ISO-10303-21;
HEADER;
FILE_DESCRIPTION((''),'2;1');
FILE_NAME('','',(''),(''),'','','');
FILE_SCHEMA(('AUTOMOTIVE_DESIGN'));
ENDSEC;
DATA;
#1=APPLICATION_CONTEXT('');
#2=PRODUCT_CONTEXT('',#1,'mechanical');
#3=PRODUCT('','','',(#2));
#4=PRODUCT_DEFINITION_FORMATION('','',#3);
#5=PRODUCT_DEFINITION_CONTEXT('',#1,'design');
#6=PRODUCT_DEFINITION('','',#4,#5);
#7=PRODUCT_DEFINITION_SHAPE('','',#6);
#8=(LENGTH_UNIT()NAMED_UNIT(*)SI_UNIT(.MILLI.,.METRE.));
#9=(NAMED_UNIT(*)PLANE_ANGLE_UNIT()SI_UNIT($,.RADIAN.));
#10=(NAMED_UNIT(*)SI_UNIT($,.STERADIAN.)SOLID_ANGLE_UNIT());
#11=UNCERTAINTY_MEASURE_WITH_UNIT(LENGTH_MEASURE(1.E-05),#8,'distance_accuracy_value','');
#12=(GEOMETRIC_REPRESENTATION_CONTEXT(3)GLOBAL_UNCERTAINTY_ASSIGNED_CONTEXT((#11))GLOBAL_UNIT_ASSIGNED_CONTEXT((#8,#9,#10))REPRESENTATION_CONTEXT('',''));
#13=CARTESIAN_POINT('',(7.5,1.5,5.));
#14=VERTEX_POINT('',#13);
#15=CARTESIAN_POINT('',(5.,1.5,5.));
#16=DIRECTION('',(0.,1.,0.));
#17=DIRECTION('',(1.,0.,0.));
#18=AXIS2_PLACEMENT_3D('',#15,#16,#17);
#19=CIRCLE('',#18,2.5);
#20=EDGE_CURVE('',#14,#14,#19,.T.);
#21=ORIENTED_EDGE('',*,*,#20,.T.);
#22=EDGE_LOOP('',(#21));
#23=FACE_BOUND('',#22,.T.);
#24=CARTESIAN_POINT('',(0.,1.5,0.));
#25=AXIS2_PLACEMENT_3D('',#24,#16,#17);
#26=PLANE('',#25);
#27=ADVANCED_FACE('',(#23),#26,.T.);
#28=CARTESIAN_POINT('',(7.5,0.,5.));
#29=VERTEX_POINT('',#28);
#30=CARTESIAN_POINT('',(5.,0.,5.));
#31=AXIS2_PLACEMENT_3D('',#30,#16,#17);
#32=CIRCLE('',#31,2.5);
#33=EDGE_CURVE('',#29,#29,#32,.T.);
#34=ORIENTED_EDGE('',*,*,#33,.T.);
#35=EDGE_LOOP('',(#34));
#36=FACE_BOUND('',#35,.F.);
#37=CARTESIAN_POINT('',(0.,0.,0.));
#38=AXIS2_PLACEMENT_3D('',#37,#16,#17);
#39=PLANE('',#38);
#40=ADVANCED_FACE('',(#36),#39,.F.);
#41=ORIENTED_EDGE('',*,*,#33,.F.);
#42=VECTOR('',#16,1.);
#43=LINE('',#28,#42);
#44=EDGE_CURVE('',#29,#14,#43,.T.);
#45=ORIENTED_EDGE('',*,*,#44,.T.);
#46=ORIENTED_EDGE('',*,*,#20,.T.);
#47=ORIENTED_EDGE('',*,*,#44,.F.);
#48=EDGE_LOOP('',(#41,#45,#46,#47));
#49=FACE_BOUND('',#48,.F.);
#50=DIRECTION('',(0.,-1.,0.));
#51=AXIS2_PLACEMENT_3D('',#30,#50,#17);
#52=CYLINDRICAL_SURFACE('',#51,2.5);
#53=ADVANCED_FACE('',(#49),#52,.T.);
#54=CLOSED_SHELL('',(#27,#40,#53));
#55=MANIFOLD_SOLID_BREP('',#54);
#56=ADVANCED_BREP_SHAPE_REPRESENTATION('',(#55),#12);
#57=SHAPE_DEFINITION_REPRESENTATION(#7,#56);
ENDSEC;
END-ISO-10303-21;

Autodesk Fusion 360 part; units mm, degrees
sketch "Sketch1" plane through (0, 0, 0) normal (0, 1, 0) x (1, 0, 0)
  circle A0 centre (5, -5) radius 2.5
  dimension "d1" = 5
extrude "Extrude1" add sketch "Sketch1" along normal blind 1.5
